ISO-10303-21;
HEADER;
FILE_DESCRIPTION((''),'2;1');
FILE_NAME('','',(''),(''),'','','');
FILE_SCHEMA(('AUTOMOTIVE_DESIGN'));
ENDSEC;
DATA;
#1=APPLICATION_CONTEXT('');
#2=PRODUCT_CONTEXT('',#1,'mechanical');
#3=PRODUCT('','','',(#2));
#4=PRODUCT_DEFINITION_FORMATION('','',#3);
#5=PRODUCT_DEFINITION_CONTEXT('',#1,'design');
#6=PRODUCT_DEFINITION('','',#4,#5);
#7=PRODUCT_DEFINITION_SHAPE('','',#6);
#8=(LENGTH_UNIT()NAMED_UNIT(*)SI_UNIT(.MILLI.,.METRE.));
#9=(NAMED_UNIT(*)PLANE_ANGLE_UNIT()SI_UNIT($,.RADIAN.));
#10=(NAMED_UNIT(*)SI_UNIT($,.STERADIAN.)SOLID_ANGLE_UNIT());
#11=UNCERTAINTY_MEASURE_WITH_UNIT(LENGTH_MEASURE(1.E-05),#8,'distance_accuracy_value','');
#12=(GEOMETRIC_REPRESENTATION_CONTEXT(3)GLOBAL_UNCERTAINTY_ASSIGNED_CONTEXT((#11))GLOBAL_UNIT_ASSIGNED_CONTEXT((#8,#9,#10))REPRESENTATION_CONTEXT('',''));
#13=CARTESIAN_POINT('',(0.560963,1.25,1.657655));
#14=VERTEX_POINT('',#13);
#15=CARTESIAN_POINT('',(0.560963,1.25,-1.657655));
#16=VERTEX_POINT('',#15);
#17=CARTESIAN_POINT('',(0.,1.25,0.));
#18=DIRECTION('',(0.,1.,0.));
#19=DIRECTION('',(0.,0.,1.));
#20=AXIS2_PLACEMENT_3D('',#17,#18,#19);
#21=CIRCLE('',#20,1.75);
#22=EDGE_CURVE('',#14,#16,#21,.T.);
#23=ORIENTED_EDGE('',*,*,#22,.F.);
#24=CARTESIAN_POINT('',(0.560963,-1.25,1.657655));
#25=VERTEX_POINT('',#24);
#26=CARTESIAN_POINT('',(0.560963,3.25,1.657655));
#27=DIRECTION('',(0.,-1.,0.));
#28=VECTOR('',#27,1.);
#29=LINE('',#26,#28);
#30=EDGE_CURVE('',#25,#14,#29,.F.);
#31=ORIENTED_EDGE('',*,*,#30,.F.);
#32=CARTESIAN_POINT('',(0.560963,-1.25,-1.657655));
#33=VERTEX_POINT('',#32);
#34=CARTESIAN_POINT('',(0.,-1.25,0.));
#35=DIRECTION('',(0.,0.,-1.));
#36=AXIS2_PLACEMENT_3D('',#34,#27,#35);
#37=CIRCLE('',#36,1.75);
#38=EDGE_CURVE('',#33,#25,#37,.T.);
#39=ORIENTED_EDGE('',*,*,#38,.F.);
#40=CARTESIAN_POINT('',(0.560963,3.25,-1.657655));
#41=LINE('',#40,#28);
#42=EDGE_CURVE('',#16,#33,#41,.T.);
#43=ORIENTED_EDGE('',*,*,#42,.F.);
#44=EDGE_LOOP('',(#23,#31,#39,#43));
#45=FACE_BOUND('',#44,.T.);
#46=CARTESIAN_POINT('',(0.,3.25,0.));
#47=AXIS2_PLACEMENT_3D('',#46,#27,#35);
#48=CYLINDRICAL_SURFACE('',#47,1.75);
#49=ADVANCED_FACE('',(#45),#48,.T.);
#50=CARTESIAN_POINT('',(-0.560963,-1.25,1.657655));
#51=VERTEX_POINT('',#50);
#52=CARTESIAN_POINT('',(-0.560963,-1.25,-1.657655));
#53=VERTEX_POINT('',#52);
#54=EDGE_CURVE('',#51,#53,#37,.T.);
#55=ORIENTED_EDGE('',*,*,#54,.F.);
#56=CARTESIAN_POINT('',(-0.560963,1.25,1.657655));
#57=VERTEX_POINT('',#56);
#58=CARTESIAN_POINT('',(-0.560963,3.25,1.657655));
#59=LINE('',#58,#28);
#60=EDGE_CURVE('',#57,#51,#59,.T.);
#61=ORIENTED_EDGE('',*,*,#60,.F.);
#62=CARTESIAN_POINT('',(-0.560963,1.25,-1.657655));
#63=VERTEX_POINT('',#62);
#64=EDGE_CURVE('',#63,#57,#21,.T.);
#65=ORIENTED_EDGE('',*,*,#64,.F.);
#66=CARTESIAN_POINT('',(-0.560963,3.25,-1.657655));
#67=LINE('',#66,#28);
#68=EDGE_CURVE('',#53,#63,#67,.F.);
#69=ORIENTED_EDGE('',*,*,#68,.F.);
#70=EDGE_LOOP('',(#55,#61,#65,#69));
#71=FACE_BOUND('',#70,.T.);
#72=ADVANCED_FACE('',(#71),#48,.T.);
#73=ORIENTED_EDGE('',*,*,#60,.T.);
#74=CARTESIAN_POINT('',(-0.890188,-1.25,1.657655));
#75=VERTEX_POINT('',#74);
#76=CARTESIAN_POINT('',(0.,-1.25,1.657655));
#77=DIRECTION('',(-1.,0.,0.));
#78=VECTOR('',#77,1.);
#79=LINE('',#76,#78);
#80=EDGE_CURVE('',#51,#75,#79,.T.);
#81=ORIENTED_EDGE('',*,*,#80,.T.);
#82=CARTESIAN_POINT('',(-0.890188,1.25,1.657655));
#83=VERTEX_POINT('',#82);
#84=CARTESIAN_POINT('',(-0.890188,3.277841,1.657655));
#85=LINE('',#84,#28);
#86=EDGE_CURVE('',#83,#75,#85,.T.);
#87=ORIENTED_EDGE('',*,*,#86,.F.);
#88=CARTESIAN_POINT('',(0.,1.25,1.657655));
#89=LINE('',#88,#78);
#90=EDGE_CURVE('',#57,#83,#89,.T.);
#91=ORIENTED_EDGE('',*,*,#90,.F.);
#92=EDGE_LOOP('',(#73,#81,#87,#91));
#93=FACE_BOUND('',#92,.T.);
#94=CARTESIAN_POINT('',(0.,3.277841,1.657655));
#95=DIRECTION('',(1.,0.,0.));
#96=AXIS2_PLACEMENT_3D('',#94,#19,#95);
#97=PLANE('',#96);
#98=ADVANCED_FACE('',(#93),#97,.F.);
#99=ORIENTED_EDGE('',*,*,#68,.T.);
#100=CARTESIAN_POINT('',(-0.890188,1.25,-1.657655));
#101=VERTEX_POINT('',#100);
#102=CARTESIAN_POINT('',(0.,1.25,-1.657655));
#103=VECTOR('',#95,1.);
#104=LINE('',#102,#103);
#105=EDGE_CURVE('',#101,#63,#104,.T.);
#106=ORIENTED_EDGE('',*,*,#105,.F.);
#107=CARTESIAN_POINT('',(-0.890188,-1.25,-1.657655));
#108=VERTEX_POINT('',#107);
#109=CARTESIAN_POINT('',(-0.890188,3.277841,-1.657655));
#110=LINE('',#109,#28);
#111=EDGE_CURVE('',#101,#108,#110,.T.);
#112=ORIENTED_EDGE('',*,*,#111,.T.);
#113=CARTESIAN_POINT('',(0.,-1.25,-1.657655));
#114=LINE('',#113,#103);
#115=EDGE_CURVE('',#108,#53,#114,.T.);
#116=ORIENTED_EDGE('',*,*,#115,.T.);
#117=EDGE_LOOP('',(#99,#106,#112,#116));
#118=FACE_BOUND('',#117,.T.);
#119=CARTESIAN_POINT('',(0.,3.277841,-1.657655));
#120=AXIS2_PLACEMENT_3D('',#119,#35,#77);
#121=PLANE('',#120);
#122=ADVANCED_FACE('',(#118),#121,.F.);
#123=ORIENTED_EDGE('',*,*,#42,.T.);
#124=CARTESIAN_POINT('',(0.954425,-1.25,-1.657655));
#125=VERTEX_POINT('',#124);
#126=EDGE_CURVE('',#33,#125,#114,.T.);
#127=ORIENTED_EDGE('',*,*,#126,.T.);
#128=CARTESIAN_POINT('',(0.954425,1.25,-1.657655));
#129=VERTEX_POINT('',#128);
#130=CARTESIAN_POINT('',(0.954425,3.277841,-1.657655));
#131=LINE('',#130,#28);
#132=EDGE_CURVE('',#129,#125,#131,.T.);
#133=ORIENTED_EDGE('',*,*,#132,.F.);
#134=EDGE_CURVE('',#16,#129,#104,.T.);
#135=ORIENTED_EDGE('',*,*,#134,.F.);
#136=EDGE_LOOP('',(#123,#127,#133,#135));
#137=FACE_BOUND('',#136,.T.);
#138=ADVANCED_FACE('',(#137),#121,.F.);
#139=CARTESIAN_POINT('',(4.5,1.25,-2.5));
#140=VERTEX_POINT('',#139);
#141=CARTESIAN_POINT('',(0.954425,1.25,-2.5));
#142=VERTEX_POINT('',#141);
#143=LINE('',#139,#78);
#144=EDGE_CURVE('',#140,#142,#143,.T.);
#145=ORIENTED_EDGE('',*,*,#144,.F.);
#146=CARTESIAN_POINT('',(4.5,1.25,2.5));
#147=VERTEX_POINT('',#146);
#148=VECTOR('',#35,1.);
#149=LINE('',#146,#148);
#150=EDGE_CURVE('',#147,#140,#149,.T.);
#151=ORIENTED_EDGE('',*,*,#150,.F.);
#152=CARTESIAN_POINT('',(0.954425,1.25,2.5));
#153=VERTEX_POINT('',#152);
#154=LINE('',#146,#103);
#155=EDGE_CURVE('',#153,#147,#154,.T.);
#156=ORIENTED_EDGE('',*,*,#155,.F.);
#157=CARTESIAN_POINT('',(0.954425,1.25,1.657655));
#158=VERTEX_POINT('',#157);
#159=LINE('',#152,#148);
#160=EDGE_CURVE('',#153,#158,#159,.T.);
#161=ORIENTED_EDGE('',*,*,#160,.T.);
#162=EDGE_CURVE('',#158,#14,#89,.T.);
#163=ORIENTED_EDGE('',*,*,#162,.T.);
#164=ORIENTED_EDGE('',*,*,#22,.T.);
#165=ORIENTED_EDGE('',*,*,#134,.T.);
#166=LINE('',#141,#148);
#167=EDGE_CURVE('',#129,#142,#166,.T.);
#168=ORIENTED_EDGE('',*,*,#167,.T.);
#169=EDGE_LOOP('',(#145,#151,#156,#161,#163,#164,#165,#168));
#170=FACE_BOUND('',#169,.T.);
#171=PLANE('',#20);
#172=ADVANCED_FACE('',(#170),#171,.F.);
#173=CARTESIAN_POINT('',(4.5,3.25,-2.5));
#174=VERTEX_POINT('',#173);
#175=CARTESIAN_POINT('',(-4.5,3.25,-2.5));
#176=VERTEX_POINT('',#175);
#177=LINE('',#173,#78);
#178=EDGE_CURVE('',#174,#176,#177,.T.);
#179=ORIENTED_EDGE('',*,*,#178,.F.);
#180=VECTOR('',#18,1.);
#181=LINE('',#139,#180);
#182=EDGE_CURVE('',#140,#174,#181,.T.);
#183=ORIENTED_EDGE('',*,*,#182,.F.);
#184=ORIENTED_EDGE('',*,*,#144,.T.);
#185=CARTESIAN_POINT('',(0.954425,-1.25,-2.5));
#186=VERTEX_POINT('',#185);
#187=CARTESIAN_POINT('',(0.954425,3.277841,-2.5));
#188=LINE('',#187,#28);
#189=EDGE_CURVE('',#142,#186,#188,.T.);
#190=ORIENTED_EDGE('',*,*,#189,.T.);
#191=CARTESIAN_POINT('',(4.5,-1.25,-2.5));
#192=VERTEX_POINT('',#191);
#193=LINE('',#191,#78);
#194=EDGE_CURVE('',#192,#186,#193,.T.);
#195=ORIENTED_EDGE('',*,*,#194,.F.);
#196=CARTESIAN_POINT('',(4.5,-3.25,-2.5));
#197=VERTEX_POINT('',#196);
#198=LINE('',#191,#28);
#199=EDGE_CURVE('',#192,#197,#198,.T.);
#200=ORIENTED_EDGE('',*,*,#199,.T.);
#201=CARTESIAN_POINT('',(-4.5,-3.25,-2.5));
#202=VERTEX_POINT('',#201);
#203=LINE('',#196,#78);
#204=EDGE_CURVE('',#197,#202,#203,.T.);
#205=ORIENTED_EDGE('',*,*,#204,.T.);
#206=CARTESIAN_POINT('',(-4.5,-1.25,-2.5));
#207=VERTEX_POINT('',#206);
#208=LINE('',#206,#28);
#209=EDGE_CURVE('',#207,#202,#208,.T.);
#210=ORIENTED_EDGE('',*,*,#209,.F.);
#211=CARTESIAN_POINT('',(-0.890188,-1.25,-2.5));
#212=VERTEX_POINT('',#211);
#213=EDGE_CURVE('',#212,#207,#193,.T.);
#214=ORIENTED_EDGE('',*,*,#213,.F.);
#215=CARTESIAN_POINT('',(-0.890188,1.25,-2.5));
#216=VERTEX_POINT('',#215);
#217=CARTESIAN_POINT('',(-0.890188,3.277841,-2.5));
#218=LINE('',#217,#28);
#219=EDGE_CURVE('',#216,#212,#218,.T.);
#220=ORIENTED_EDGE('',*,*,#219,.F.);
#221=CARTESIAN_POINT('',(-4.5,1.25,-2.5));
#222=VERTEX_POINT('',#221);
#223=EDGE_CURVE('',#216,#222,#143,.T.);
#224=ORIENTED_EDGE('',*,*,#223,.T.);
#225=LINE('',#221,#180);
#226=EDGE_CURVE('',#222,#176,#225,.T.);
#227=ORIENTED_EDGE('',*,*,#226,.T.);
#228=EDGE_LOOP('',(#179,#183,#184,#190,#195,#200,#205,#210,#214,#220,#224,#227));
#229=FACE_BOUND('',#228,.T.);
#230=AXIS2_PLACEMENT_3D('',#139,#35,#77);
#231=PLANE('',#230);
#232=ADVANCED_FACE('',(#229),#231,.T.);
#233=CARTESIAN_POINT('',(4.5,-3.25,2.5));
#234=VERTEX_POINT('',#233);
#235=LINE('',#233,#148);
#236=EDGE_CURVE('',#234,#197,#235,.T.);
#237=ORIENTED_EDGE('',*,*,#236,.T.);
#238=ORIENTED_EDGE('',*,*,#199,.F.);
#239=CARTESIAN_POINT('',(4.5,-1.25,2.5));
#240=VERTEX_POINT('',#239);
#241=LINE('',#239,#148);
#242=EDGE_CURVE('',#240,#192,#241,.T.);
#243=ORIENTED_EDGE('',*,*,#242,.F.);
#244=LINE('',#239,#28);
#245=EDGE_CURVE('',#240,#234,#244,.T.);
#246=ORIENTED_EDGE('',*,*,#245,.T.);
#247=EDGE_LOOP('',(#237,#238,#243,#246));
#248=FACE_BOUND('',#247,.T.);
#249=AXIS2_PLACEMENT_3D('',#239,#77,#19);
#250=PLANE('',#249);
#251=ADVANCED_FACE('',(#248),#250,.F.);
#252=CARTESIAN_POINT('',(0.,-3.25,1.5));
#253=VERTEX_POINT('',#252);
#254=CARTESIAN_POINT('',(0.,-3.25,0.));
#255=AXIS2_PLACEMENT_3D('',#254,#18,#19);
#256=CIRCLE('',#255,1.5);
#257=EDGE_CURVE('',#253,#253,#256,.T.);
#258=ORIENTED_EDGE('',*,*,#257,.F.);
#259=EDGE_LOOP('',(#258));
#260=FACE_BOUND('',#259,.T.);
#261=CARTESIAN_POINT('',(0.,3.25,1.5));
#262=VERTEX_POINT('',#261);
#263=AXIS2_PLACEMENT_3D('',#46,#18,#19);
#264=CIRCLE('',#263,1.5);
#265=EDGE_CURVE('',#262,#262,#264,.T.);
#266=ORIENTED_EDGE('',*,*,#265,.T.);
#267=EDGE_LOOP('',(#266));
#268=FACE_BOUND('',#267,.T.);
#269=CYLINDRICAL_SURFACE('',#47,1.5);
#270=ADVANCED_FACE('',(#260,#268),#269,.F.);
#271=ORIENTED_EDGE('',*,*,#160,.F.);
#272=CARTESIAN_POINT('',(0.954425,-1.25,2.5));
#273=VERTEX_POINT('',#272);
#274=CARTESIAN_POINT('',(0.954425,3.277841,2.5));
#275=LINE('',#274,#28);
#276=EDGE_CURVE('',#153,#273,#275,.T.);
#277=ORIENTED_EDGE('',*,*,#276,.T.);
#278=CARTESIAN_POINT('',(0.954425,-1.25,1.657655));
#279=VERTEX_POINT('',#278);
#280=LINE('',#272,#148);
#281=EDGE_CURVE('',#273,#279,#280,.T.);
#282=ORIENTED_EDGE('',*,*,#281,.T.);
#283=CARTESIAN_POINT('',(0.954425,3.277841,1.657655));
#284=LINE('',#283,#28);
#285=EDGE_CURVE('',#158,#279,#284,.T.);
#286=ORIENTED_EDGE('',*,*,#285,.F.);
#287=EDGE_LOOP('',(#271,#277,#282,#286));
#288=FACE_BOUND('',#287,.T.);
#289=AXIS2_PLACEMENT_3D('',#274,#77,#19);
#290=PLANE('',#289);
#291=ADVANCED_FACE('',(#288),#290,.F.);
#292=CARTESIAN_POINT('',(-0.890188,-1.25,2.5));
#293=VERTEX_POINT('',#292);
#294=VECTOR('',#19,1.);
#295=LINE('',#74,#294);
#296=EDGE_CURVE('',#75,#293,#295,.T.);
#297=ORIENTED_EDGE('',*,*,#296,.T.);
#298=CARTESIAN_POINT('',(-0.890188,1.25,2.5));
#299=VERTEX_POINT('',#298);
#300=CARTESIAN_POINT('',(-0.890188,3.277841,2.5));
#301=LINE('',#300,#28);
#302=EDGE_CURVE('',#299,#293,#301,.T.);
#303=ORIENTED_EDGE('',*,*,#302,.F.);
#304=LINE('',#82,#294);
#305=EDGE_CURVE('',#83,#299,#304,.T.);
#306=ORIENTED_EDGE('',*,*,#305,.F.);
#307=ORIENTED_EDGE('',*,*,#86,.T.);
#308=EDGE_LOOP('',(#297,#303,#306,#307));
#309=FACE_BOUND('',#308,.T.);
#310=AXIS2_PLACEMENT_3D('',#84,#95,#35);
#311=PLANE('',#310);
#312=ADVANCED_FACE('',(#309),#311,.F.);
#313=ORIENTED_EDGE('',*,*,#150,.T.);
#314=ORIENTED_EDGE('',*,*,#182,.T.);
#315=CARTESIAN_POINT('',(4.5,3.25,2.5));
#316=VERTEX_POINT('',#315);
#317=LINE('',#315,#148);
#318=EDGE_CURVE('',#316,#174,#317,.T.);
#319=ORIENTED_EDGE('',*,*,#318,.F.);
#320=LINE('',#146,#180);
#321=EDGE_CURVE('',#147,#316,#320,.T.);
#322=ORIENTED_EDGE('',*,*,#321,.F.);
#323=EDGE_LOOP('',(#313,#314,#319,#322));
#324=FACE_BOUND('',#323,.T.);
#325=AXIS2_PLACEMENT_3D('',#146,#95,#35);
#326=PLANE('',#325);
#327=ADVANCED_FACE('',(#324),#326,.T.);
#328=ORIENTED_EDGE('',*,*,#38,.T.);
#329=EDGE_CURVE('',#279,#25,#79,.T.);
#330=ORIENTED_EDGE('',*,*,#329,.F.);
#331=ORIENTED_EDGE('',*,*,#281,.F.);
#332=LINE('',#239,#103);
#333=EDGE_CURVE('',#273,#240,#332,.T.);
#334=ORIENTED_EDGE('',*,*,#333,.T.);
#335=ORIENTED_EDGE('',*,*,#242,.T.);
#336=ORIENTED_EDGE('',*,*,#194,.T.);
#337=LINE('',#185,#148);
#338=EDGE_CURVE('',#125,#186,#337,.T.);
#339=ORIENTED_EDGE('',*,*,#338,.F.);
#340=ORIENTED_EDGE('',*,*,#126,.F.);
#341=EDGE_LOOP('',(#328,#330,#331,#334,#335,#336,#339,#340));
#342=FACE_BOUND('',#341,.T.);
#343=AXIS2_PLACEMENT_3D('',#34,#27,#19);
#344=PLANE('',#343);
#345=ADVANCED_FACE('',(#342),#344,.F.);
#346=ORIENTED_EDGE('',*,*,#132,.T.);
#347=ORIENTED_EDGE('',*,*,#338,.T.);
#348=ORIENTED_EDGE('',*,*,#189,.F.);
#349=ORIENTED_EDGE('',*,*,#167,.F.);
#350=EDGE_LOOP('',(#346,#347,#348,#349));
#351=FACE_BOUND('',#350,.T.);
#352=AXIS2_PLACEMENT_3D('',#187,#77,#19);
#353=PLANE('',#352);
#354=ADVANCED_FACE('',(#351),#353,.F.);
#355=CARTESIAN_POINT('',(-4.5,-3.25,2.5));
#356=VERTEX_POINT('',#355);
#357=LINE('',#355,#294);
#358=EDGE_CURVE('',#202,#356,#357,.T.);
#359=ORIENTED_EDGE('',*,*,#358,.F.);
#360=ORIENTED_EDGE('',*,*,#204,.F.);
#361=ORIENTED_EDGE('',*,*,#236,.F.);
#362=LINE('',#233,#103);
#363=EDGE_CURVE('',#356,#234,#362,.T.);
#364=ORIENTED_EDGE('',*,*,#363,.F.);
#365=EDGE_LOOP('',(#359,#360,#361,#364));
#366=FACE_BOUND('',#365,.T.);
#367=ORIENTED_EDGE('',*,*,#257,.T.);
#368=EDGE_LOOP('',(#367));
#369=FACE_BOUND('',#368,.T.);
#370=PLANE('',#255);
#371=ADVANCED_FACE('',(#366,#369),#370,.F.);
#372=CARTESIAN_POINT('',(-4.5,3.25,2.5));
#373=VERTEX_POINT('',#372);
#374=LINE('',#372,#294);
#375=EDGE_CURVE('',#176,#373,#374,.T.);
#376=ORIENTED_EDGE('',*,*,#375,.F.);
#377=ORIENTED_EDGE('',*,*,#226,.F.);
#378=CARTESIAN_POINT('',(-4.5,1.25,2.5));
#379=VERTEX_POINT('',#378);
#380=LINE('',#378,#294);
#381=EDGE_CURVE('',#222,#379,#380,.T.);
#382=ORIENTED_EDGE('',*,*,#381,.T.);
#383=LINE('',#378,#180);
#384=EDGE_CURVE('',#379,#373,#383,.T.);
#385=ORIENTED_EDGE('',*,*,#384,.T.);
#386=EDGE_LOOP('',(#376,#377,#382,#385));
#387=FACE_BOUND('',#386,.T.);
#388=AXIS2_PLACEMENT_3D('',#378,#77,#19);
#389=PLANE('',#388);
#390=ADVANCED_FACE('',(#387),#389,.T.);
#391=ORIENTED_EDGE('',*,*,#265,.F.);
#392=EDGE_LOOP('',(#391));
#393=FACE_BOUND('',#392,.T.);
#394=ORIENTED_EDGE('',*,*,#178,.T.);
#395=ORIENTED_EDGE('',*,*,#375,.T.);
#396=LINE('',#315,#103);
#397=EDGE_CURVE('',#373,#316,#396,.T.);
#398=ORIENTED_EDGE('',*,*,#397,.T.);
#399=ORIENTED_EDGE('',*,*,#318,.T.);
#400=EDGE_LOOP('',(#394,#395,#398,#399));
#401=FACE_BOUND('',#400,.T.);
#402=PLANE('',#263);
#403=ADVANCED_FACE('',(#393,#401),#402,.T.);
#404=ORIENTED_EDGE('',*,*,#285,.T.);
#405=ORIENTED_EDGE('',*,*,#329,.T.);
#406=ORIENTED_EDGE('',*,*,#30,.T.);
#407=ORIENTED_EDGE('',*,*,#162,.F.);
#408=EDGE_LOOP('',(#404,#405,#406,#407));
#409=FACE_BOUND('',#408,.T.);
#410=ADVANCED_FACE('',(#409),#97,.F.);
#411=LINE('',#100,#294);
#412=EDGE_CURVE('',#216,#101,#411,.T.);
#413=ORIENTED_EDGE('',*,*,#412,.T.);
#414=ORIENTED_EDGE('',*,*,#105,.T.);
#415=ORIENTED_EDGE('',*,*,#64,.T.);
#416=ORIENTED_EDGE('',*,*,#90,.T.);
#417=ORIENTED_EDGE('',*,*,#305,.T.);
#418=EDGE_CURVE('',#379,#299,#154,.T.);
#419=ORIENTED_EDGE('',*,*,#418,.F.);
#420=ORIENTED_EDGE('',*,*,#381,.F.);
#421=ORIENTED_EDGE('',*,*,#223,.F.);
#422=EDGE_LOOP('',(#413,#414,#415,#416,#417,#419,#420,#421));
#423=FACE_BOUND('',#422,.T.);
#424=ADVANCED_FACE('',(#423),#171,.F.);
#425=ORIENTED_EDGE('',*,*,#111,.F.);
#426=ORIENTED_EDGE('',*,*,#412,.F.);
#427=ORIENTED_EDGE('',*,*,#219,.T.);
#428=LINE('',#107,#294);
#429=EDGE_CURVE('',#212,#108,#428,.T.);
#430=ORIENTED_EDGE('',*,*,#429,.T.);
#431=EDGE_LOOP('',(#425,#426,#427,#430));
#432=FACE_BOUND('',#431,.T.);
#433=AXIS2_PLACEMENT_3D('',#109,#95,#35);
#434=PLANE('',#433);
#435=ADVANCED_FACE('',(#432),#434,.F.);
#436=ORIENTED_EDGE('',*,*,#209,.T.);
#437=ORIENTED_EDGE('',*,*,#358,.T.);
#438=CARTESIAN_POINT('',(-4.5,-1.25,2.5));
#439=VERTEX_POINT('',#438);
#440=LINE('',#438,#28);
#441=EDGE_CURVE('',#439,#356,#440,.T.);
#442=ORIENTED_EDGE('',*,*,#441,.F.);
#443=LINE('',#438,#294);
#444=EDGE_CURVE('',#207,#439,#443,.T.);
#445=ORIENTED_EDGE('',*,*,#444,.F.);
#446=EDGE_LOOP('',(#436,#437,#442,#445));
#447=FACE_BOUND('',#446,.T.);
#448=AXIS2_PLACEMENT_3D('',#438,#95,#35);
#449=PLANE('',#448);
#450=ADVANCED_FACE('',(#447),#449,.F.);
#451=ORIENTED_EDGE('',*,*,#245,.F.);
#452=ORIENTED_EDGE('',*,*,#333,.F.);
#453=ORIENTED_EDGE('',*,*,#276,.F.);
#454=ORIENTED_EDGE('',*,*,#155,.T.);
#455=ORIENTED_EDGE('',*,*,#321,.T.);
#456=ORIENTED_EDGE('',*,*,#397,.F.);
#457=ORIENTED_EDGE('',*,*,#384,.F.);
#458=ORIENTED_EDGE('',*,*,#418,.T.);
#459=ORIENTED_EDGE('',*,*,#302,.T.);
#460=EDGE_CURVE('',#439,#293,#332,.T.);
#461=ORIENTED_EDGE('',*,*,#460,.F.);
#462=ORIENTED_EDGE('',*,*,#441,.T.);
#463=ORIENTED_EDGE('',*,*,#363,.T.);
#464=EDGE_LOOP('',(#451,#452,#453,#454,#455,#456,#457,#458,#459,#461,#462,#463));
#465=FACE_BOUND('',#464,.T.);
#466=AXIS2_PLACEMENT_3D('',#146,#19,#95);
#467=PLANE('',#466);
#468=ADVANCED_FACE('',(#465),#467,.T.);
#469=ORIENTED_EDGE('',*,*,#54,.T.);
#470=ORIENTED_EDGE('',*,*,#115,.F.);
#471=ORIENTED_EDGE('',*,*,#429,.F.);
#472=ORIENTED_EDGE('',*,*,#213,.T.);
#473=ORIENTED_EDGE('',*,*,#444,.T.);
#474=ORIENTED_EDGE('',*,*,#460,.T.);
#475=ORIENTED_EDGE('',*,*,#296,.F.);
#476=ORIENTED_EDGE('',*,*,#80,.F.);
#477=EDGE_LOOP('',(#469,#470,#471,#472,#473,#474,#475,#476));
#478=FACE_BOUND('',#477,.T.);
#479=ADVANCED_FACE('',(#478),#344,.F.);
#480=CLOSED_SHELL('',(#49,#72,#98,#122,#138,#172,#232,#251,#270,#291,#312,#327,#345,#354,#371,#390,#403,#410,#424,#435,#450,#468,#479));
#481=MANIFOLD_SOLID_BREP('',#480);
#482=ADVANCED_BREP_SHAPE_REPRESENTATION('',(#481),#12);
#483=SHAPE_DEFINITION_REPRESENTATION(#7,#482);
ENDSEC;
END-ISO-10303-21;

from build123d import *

# Parameters (mm, degrees)
SKETCH1_R           = 1.75
SKETCH1_R_2         = 1.5
BOSS_EXTRUDE1_DEPTH = 3.25
SKETCH2_W           = 9
SKETCH2_H           = 5
SKETCH2_R           = 1.5
BOSS_EXTRUDE2_DEPTH = 2
BOSS_EXTRUDE3_DEPTH = 2.5


with BuildPart() as part:
    # Sketch1 → Boss-Extrude1 (new body, symmetric)
    with BuildSketch(Plane(origin=(0, 0, 0), x_dir=(1, 0, 0), z_dir=(0, 1, 0))):
        Circle(SKETCH1_R)
        Circle(SKETCH1_R_2, mode=Mode.SUBTRACT)
    extrude(amount=BOSS_EXTRUDE1_DEPTH, both=True)

    # Sketch2 → Boss-Extrude2 (add)
    with BuildSketch(Plane(origin=(0, 3.25, 0), x_dir=(1, 0, 0), z_dir=(0, 1, 0))):
        Rectangle(SKETCH2_W, SKETCH2_H)
        Circle(SKETCH2_R, mode=Mode.SUBTRACT)
    boss_extrude2 = extrude(amount=-BOSS_EXTRUDE2_DEPTH)

    # Mirror1: Boss-Extrude2 across plane
    add(boss_extrude2.mirror(Plane.ZX))

    # Sketch3 → Boss-Extrude3 (add)
    with BuildSketch(Plane(origin=(0, -1.25, 0), x_dir=(1, 0, 0), z_dir=(0, 1, 0))):
        Polygon((0, 1.657655202), (-0.890187657, 1.657655202), (-0.890187657, 2.5), (0.95442496, 2.5), (0.95442496, 1.657655202), align=None)
        Polygon((0.95442496, -1.657655202), (0, -1.657655202), (-0.890187657, -1.657655202), (-0.890187657, -2.5), (0.95442496, -2.5), align=None)
    extrude(amount=BOSS_EXTRUDE3_DEPTH)


solid = part.part
